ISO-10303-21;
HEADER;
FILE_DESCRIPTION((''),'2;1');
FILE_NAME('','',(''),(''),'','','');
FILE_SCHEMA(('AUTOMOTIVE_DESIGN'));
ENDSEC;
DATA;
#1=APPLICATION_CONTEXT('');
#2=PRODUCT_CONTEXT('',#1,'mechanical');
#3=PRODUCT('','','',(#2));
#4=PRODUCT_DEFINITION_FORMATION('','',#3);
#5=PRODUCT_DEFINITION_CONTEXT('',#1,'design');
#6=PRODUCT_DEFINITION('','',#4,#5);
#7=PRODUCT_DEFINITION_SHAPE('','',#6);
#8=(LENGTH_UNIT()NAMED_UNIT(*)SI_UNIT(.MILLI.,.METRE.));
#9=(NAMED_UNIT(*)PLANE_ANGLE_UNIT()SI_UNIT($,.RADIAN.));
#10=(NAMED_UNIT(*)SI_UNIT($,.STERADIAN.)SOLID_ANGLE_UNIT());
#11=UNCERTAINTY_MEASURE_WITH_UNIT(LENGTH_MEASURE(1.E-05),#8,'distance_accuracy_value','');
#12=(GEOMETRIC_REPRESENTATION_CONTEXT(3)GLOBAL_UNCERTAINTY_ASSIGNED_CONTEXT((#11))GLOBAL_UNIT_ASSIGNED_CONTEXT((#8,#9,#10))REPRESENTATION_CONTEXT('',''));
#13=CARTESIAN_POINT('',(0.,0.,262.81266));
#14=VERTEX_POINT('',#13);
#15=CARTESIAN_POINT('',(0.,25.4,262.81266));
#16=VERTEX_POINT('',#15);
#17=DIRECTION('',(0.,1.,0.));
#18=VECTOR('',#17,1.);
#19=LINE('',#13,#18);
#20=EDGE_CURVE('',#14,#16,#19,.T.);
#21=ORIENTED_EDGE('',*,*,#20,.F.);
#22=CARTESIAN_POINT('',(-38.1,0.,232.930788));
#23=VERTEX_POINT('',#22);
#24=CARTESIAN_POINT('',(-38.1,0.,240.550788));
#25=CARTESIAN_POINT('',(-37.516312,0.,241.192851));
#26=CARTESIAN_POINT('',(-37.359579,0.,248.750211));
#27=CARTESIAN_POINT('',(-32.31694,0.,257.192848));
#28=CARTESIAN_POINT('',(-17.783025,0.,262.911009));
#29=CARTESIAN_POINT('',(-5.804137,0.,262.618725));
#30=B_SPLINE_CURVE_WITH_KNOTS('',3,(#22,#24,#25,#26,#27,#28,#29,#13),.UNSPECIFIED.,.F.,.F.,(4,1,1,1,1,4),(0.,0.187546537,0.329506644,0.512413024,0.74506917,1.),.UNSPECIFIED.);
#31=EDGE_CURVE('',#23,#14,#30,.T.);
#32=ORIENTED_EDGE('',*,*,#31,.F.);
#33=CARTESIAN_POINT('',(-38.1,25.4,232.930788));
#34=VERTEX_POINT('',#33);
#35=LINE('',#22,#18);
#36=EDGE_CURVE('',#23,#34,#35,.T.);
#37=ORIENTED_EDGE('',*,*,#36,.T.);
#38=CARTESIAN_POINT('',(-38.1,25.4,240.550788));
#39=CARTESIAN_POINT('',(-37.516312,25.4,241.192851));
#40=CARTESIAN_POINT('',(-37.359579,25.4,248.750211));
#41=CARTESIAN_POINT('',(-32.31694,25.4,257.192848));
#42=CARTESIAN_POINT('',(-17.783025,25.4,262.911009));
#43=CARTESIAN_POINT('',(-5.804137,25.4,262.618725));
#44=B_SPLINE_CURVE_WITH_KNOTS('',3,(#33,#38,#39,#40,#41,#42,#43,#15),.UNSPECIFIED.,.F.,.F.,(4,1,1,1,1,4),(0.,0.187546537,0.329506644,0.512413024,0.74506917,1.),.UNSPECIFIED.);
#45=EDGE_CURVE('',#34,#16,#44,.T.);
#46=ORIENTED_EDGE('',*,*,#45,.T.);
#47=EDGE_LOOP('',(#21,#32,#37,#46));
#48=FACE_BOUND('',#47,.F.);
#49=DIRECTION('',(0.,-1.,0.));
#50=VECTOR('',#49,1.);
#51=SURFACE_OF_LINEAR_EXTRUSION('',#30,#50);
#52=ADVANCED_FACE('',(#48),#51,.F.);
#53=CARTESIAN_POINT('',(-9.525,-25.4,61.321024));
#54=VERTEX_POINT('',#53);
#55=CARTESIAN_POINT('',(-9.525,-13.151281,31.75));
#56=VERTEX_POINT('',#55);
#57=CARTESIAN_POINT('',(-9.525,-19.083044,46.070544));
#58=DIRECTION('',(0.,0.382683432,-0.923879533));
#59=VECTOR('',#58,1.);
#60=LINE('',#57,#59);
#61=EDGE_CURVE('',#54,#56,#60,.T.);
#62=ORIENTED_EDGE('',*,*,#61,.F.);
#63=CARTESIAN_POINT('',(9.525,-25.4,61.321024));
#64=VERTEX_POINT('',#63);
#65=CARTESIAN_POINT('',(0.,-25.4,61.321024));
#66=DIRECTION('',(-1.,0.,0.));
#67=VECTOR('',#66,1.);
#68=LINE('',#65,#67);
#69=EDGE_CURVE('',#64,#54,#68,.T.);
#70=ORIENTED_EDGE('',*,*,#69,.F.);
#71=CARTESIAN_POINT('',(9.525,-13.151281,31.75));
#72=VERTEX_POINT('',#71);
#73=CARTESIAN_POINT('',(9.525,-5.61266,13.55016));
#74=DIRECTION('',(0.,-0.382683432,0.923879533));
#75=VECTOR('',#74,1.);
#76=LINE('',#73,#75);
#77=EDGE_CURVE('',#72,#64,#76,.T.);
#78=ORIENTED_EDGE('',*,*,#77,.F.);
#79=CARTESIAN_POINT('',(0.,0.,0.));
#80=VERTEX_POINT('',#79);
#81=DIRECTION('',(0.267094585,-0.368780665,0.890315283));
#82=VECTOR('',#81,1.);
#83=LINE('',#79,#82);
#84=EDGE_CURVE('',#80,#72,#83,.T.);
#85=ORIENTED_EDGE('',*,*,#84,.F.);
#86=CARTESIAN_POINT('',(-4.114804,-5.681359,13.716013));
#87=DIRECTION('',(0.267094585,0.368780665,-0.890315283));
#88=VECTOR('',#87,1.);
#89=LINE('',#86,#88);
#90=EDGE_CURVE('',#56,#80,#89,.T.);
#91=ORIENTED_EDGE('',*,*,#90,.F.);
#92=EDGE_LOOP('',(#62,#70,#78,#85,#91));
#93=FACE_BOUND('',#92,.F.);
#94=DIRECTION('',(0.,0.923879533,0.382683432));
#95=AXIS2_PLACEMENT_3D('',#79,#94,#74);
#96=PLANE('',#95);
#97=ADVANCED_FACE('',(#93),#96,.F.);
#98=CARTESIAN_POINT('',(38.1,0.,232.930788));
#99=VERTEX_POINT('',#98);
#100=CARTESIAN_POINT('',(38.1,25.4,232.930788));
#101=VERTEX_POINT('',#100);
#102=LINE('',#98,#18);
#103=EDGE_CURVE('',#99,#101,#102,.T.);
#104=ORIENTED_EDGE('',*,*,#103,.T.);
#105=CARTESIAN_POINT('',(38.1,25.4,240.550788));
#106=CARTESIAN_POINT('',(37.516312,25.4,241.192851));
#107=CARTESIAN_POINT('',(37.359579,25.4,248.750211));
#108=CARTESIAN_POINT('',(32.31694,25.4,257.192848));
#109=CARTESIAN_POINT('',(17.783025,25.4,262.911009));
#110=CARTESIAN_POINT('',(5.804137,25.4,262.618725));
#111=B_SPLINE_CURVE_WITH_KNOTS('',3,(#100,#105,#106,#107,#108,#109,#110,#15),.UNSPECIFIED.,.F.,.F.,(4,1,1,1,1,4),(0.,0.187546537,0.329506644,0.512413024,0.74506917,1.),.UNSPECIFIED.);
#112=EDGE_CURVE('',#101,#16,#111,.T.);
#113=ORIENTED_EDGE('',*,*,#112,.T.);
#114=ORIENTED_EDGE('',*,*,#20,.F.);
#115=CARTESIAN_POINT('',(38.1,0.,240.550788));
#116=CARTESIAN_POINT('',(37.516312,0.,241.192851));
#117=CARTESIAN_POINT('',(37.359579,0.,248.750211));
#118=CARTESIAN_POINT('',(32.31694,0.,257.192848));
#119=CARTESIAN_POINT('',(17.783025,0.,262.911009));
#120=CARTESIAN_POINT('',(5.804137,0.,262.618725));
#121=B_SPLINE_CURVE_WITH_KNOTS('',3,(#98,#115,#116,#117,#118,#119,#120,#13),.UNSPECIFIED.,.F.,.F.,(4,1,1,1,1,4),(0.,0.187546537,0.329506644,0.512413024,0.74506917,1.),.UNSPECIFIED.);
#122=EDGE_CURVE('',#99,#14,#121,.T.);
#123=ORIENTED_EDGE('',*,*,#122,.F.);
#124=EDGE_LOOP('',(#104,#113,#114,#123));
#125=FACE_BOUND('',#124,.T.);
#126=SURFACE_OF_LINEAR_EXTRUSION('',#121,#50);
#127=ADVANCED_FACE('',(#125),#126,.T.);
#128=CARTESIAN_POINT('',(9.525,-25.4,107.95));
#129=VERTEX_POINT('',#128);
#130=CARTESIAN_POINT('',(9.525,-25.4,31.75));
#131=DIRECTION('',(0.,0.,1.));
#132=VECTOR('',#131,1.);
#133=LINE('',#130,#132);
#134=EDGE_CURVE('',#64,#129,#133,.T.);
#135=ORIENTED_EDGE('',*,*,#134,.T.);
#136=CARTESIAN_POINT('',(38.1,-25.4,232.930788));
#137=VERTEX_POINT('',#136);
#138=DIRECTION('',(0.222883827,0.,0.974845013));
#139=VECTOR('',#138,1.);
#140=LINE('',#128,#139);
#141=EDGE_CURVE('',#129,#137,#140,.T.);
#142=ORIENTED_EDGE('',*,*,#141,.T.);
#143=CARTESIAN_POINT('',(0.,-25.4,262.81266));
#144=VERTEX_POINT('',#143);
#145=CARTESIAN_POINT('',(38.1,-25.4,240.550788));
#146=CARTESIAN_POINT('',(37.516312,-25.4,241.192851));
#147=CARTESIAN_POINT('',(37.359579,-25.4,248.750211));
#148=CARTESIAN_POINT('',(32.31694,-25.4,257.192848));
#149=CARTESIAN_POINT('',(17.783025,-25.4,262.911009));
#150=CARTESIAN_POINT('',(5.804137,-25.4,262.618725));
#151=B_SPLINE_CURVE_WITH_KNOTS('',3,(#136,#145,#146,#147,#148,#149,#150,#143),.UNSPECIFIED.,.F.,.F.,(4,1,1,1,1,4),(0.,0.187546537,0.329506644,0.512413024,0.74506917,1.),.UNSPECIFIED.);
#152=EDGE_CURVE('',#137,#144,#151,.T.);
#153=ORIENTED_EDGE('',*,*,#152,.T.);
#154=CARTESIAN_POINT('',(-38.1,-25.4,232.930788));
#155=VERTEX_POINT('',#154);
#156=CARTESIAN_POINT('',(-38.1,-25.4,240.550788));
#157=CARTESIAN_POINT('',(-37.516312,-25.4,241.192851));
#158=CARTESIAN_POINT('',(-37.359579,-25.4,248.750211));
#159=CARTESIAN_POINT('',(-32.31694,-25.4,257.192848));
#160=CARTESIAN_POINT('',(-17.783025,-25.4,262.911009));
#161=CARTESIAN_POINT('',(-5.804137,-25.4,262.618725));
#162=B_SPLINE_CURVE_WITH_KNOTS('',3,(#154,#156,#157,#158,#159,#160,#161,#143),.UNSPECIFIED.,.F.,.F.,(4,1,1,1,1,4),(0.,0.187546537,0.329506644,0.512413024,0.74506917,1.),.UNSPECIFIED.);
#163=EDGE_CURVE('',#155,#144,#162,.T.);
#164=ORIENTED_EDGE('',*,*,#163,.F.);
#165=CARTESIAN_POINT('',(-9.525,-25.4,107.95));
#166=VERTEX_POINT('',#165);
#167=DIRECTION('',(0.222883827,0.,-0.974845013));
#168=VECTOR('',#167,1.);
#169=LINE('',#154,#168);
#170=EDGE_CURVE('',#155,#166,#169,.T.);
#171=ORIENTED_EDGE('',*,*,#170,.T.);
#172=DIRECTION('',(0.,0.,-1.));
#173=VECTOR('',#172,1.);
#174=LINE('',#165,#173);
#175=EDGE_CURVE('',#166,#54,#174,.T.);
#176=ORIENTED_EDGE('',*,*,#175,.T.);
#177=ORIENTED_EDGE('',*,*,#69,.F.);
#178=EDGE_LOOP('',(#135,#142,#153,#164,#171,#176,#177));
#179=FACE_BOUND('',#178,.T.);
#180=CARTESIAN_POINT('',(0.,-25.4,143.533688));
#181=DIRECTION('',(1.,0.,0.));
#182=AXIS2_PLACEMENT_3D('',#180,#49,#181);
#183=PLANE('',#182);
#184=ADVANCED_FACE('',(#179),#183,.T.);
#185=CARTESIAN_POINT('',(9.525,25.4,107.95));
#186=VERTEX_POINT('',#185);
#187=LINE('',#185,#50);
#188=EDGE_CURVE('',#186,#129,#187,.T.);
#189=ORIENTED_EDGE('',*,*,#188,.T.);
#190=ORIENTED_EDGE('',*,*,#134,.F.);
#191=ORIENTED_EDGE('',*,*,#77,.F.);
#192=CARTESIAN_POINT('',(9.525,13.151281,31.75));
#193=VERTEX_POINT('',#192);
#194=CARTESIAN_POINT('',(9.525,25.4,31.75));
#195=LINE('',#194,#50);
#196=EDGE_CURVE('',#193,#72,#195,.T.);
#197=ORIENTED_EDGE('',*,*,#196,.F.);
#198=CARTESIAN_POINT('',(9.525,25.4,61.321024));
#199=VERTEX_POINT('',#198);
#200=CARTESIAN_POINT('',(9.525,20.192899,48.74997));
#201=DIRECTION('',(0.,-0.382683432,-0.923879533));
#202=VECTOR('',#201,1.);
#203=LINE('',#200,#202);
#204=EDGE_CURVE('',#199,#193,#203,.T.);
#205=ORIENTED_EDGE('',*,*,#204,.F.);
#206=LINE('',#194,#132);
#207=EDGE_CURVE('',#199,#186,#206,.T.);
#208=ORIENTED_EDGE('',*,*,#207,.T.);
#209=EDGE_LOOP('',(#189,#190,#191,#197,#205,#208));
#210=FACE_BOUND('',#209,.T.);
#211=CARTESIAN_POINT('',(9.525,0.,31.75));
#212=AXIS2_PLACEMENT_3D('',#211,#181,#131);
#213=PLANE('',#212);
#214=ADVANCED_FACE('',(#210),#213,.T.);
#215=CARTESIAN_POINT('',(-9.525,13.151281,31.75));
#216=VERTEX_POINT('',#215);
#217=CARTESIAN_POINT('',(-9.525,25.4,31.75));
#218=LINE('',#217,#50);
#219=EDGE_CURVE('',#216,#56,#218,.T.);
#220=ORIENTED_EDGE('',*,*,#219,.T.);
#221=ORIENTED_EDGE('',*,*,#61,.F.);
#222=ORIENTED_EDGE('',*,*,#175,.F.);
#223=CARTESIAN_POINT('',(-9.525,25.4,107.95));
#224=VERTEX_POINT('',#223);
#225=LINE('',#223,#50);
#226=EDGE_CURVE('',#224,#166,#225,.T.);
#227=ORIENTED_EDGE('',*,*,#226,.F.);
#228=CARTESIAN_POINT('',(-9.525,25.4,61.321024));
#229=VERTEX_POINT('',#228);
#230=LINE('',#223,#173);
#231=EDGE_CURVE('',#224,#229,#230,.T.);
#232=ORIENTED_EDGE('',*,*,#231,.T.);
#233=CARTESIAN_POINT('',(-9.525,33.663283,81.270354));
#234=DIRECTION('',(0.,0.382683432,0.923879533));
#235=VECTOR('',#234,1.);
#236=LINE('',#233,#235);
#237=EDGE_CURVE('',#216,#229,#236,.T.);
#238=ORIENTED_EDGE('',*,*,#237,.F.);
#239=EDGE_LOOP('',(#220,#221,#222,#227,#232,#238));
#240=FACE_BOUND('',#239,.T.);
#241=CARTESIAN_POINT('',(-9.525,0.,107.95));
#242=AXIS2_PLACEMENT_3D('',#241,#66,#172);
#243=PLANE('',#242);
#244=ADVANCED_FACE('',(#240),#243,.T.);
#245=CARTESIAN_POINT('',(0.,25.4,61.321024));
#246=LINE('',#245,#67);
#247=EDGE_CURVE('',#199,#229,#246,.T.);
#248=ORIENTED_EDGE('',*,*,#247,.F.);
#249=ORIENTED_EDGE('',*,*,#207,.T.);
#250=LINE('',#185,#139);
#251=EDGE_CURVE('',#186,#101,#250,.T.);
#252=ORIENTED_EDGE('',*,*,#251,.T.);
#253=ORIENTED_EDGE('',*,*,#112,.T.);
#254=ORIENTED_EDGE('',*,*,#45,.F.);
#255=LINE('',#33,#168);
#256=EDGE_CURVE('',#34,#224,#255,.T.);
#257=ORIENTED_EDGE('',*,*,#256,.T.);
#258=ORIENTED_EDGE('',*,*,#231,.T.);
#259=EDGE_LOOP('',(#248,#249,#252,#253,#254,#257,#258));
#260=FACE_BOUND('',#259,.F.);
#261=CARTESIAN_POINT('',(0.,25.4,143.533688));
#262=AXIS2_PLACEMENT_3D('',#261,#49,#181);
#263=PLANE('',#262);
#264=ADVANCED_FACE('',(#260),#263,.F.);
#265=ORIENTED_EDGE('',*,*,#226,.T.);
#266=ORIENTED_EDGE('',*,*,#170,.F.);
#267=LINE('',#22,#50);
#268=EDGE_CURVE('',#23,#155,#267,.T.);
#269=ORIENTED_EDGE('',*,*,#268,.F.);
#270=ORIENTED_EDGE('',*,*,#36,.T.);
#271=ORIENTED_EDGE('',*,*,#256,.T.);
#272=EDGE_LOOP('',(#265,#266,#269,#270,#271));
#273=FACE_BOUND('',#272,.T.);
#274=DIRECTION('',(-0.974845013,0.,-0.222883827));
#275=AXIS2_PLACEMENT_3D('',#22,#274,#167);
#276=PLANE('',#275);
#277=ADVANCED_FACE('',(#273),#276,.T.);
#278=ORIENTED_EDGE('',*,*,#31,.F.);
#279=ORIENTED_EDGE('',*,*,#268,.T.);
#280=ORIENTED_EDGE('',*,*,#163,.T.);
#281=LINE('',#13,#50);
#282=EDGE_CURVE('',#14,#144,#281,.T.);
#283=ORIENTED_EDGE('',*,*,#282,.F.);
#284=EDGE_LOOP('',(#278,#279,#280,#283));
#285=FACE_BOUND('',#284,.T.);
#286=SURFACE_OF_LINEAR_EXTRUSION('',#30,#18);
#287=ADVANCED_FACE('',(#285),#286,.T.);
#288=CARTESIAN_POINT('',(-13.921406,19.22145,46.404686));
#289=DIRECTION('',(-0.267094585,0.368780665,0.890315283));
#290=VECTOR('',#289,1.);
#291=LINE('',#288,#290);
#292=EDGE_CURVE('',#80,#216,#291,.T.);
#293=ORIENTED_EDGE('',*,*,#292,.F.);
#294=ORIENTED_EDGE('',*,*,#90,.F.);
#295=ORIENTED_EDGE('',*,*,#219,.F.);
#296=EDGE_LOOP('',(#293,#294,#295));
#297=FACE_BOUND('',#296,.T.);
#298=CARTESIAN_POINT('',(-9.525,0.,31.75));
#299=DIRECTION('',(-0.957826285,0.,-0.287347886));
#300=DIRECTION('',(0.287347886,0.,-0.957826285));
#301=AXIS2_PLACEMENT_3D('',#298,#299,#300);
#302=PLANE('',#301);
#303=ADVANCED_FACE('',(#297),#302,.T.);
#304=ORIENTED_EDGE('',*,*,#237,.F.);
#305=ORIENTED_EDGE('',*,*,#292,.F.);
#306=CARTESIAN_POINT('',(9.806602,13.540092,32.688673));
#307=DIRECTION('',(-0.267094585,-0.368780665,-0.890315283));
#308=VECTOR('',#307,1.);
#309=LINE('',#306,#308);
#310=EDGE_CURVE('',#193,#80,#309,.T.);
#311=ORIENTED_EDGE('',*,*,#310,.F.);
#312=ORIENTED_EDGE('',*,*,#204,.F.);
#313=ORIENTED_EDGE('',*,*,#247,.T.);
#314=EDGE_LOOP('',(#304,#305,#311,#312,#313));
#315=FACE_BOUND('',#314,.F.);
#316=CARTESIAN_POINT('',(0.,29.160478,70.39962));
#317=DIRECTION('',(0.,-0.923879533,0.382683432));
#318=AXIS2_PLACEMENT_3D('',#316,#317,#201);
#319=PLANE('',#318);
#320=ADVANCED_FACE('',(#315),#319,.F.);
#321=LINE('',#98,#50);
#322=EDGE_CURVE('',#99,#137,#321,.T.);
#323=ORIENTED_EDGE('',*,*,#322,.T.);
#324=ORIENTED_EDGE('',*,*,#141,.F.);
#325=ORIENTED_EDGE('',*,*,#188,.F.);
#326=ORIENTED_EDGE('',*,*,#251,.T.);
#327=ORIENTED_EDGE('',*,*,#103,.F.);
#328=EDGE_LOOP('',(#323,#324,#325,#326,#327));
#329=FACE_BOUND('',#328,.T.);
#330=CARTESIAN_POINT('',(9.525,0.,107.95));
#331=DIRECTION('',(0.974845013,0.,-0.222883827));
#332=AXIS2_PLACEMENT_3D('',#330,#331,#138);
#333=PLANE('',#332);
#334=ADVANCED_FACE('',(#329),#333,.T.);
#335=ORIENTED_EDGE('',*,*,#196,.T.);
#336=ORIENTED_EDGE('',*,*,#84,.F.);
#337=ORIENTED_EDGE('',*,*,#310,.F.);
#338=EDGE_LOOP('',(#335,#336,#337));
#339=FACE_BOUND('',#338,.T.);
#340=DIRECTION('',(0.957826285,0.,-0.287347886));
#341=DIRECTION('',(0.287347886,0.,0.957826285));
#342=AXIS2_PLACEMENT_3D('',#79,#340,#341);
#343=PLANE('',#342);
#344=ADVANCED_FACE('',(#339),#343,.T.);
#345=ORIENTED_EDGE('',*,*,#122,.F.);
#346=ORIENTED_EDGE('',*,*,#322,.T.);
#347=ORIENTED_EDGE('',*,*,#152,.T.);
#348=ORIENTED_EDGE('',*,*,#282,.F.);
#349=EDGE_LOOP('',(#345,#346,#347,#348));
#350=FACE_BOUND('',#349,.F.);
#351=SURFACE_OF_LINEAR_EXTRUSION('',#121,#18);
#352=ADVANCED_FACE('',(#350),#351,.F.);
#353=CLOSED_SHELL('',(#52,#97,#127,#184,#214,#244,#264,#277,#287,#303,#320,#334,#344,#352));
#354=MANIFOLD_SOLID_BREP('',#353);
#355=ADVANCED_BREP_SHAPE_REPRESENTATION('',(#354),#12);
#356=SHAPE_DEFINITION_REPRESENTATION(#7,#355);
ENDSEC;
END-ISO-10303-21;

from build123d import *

# Parameters (mm, degrees)
F1_DEPTH = 25.4
F3_DEPTH = 25.4


with BuildPart() as f1:
    # F0 (on Front) → F1 (new body, symmetric)
    with BuildSketch(Plane.XZ):
        with BuildLine():
            Line((-38.1, 232.930787788), (-9.525, 107.95))
            Line((-9.525, 107.95), (-9.525, 31.75))
            Line((-9.525, 31.75), (0, 0))
            Line((0, 0), (9.525, 31.75))
            Line((9.525, 31.75), (9.525, 107.95))
            Line((9.525, 107.95), (38.1, 232.930787788))
            add(Edge.make_bspline(
                [(38.1, 232.930787788), (38.1, 240.550787788), (37.5163115662, 241.1928509419), (37.3595791728, 248.750210884), (32.3169404592, 257.1928484496), (17.7830254248, 262.9110086651), (5.8041372503, 262.6187246427), (0, 262.8126600247)],
                knots=[0, 0, 0, 0, 0.1875465373, 0.3295066438, 0.5124130237, 0.74506917, 1, 1, 1, 1], degree=3))
            add(Edge.make_bspline(
                [(-38.1, 232.930787788), (-38.1, 240.550787788), (-37.5163115662, 241.1928509419), (-37.3595791728, 248.750210884), (-32.3169404592, 257.1928484496), (-17.7830254248, 262.9110086651), (-5.8041372503, 262.6187246427), (0, 262.8126600247)],
                knots=[0, 0, 0, 0, 0.1875465373, 0.3295066438, 0.5124130237, 0.74506917, 1, 1, 1, 1], degree=3))
        make_face()
    extrude(amount=F1_DEPTH, both=True)


with BuildPart() as f3:
    # F2 (on Right) → F3 (new body, symmetric)
    with BuildSketch(Plane.YZ):
        Polygon((29.1604775462, 70.3996203774), (0, 0), (-29.1604775462, 70.3996203774), (-87.4900998982, 70.3996203774), (-87.4900998982, -68.1293379466), (87.4900998982, -68.1293379466), (87.4900998982, 70.3996203774), align=None)
    extrude(amount=F3_DEPTH, both=True)


with BuildPart() as f1_1:
    add(f1.part)

    # F4: cut F3
    add(f3.part, mode=Mode.SUBTRACT)


solid = f1_1.part
